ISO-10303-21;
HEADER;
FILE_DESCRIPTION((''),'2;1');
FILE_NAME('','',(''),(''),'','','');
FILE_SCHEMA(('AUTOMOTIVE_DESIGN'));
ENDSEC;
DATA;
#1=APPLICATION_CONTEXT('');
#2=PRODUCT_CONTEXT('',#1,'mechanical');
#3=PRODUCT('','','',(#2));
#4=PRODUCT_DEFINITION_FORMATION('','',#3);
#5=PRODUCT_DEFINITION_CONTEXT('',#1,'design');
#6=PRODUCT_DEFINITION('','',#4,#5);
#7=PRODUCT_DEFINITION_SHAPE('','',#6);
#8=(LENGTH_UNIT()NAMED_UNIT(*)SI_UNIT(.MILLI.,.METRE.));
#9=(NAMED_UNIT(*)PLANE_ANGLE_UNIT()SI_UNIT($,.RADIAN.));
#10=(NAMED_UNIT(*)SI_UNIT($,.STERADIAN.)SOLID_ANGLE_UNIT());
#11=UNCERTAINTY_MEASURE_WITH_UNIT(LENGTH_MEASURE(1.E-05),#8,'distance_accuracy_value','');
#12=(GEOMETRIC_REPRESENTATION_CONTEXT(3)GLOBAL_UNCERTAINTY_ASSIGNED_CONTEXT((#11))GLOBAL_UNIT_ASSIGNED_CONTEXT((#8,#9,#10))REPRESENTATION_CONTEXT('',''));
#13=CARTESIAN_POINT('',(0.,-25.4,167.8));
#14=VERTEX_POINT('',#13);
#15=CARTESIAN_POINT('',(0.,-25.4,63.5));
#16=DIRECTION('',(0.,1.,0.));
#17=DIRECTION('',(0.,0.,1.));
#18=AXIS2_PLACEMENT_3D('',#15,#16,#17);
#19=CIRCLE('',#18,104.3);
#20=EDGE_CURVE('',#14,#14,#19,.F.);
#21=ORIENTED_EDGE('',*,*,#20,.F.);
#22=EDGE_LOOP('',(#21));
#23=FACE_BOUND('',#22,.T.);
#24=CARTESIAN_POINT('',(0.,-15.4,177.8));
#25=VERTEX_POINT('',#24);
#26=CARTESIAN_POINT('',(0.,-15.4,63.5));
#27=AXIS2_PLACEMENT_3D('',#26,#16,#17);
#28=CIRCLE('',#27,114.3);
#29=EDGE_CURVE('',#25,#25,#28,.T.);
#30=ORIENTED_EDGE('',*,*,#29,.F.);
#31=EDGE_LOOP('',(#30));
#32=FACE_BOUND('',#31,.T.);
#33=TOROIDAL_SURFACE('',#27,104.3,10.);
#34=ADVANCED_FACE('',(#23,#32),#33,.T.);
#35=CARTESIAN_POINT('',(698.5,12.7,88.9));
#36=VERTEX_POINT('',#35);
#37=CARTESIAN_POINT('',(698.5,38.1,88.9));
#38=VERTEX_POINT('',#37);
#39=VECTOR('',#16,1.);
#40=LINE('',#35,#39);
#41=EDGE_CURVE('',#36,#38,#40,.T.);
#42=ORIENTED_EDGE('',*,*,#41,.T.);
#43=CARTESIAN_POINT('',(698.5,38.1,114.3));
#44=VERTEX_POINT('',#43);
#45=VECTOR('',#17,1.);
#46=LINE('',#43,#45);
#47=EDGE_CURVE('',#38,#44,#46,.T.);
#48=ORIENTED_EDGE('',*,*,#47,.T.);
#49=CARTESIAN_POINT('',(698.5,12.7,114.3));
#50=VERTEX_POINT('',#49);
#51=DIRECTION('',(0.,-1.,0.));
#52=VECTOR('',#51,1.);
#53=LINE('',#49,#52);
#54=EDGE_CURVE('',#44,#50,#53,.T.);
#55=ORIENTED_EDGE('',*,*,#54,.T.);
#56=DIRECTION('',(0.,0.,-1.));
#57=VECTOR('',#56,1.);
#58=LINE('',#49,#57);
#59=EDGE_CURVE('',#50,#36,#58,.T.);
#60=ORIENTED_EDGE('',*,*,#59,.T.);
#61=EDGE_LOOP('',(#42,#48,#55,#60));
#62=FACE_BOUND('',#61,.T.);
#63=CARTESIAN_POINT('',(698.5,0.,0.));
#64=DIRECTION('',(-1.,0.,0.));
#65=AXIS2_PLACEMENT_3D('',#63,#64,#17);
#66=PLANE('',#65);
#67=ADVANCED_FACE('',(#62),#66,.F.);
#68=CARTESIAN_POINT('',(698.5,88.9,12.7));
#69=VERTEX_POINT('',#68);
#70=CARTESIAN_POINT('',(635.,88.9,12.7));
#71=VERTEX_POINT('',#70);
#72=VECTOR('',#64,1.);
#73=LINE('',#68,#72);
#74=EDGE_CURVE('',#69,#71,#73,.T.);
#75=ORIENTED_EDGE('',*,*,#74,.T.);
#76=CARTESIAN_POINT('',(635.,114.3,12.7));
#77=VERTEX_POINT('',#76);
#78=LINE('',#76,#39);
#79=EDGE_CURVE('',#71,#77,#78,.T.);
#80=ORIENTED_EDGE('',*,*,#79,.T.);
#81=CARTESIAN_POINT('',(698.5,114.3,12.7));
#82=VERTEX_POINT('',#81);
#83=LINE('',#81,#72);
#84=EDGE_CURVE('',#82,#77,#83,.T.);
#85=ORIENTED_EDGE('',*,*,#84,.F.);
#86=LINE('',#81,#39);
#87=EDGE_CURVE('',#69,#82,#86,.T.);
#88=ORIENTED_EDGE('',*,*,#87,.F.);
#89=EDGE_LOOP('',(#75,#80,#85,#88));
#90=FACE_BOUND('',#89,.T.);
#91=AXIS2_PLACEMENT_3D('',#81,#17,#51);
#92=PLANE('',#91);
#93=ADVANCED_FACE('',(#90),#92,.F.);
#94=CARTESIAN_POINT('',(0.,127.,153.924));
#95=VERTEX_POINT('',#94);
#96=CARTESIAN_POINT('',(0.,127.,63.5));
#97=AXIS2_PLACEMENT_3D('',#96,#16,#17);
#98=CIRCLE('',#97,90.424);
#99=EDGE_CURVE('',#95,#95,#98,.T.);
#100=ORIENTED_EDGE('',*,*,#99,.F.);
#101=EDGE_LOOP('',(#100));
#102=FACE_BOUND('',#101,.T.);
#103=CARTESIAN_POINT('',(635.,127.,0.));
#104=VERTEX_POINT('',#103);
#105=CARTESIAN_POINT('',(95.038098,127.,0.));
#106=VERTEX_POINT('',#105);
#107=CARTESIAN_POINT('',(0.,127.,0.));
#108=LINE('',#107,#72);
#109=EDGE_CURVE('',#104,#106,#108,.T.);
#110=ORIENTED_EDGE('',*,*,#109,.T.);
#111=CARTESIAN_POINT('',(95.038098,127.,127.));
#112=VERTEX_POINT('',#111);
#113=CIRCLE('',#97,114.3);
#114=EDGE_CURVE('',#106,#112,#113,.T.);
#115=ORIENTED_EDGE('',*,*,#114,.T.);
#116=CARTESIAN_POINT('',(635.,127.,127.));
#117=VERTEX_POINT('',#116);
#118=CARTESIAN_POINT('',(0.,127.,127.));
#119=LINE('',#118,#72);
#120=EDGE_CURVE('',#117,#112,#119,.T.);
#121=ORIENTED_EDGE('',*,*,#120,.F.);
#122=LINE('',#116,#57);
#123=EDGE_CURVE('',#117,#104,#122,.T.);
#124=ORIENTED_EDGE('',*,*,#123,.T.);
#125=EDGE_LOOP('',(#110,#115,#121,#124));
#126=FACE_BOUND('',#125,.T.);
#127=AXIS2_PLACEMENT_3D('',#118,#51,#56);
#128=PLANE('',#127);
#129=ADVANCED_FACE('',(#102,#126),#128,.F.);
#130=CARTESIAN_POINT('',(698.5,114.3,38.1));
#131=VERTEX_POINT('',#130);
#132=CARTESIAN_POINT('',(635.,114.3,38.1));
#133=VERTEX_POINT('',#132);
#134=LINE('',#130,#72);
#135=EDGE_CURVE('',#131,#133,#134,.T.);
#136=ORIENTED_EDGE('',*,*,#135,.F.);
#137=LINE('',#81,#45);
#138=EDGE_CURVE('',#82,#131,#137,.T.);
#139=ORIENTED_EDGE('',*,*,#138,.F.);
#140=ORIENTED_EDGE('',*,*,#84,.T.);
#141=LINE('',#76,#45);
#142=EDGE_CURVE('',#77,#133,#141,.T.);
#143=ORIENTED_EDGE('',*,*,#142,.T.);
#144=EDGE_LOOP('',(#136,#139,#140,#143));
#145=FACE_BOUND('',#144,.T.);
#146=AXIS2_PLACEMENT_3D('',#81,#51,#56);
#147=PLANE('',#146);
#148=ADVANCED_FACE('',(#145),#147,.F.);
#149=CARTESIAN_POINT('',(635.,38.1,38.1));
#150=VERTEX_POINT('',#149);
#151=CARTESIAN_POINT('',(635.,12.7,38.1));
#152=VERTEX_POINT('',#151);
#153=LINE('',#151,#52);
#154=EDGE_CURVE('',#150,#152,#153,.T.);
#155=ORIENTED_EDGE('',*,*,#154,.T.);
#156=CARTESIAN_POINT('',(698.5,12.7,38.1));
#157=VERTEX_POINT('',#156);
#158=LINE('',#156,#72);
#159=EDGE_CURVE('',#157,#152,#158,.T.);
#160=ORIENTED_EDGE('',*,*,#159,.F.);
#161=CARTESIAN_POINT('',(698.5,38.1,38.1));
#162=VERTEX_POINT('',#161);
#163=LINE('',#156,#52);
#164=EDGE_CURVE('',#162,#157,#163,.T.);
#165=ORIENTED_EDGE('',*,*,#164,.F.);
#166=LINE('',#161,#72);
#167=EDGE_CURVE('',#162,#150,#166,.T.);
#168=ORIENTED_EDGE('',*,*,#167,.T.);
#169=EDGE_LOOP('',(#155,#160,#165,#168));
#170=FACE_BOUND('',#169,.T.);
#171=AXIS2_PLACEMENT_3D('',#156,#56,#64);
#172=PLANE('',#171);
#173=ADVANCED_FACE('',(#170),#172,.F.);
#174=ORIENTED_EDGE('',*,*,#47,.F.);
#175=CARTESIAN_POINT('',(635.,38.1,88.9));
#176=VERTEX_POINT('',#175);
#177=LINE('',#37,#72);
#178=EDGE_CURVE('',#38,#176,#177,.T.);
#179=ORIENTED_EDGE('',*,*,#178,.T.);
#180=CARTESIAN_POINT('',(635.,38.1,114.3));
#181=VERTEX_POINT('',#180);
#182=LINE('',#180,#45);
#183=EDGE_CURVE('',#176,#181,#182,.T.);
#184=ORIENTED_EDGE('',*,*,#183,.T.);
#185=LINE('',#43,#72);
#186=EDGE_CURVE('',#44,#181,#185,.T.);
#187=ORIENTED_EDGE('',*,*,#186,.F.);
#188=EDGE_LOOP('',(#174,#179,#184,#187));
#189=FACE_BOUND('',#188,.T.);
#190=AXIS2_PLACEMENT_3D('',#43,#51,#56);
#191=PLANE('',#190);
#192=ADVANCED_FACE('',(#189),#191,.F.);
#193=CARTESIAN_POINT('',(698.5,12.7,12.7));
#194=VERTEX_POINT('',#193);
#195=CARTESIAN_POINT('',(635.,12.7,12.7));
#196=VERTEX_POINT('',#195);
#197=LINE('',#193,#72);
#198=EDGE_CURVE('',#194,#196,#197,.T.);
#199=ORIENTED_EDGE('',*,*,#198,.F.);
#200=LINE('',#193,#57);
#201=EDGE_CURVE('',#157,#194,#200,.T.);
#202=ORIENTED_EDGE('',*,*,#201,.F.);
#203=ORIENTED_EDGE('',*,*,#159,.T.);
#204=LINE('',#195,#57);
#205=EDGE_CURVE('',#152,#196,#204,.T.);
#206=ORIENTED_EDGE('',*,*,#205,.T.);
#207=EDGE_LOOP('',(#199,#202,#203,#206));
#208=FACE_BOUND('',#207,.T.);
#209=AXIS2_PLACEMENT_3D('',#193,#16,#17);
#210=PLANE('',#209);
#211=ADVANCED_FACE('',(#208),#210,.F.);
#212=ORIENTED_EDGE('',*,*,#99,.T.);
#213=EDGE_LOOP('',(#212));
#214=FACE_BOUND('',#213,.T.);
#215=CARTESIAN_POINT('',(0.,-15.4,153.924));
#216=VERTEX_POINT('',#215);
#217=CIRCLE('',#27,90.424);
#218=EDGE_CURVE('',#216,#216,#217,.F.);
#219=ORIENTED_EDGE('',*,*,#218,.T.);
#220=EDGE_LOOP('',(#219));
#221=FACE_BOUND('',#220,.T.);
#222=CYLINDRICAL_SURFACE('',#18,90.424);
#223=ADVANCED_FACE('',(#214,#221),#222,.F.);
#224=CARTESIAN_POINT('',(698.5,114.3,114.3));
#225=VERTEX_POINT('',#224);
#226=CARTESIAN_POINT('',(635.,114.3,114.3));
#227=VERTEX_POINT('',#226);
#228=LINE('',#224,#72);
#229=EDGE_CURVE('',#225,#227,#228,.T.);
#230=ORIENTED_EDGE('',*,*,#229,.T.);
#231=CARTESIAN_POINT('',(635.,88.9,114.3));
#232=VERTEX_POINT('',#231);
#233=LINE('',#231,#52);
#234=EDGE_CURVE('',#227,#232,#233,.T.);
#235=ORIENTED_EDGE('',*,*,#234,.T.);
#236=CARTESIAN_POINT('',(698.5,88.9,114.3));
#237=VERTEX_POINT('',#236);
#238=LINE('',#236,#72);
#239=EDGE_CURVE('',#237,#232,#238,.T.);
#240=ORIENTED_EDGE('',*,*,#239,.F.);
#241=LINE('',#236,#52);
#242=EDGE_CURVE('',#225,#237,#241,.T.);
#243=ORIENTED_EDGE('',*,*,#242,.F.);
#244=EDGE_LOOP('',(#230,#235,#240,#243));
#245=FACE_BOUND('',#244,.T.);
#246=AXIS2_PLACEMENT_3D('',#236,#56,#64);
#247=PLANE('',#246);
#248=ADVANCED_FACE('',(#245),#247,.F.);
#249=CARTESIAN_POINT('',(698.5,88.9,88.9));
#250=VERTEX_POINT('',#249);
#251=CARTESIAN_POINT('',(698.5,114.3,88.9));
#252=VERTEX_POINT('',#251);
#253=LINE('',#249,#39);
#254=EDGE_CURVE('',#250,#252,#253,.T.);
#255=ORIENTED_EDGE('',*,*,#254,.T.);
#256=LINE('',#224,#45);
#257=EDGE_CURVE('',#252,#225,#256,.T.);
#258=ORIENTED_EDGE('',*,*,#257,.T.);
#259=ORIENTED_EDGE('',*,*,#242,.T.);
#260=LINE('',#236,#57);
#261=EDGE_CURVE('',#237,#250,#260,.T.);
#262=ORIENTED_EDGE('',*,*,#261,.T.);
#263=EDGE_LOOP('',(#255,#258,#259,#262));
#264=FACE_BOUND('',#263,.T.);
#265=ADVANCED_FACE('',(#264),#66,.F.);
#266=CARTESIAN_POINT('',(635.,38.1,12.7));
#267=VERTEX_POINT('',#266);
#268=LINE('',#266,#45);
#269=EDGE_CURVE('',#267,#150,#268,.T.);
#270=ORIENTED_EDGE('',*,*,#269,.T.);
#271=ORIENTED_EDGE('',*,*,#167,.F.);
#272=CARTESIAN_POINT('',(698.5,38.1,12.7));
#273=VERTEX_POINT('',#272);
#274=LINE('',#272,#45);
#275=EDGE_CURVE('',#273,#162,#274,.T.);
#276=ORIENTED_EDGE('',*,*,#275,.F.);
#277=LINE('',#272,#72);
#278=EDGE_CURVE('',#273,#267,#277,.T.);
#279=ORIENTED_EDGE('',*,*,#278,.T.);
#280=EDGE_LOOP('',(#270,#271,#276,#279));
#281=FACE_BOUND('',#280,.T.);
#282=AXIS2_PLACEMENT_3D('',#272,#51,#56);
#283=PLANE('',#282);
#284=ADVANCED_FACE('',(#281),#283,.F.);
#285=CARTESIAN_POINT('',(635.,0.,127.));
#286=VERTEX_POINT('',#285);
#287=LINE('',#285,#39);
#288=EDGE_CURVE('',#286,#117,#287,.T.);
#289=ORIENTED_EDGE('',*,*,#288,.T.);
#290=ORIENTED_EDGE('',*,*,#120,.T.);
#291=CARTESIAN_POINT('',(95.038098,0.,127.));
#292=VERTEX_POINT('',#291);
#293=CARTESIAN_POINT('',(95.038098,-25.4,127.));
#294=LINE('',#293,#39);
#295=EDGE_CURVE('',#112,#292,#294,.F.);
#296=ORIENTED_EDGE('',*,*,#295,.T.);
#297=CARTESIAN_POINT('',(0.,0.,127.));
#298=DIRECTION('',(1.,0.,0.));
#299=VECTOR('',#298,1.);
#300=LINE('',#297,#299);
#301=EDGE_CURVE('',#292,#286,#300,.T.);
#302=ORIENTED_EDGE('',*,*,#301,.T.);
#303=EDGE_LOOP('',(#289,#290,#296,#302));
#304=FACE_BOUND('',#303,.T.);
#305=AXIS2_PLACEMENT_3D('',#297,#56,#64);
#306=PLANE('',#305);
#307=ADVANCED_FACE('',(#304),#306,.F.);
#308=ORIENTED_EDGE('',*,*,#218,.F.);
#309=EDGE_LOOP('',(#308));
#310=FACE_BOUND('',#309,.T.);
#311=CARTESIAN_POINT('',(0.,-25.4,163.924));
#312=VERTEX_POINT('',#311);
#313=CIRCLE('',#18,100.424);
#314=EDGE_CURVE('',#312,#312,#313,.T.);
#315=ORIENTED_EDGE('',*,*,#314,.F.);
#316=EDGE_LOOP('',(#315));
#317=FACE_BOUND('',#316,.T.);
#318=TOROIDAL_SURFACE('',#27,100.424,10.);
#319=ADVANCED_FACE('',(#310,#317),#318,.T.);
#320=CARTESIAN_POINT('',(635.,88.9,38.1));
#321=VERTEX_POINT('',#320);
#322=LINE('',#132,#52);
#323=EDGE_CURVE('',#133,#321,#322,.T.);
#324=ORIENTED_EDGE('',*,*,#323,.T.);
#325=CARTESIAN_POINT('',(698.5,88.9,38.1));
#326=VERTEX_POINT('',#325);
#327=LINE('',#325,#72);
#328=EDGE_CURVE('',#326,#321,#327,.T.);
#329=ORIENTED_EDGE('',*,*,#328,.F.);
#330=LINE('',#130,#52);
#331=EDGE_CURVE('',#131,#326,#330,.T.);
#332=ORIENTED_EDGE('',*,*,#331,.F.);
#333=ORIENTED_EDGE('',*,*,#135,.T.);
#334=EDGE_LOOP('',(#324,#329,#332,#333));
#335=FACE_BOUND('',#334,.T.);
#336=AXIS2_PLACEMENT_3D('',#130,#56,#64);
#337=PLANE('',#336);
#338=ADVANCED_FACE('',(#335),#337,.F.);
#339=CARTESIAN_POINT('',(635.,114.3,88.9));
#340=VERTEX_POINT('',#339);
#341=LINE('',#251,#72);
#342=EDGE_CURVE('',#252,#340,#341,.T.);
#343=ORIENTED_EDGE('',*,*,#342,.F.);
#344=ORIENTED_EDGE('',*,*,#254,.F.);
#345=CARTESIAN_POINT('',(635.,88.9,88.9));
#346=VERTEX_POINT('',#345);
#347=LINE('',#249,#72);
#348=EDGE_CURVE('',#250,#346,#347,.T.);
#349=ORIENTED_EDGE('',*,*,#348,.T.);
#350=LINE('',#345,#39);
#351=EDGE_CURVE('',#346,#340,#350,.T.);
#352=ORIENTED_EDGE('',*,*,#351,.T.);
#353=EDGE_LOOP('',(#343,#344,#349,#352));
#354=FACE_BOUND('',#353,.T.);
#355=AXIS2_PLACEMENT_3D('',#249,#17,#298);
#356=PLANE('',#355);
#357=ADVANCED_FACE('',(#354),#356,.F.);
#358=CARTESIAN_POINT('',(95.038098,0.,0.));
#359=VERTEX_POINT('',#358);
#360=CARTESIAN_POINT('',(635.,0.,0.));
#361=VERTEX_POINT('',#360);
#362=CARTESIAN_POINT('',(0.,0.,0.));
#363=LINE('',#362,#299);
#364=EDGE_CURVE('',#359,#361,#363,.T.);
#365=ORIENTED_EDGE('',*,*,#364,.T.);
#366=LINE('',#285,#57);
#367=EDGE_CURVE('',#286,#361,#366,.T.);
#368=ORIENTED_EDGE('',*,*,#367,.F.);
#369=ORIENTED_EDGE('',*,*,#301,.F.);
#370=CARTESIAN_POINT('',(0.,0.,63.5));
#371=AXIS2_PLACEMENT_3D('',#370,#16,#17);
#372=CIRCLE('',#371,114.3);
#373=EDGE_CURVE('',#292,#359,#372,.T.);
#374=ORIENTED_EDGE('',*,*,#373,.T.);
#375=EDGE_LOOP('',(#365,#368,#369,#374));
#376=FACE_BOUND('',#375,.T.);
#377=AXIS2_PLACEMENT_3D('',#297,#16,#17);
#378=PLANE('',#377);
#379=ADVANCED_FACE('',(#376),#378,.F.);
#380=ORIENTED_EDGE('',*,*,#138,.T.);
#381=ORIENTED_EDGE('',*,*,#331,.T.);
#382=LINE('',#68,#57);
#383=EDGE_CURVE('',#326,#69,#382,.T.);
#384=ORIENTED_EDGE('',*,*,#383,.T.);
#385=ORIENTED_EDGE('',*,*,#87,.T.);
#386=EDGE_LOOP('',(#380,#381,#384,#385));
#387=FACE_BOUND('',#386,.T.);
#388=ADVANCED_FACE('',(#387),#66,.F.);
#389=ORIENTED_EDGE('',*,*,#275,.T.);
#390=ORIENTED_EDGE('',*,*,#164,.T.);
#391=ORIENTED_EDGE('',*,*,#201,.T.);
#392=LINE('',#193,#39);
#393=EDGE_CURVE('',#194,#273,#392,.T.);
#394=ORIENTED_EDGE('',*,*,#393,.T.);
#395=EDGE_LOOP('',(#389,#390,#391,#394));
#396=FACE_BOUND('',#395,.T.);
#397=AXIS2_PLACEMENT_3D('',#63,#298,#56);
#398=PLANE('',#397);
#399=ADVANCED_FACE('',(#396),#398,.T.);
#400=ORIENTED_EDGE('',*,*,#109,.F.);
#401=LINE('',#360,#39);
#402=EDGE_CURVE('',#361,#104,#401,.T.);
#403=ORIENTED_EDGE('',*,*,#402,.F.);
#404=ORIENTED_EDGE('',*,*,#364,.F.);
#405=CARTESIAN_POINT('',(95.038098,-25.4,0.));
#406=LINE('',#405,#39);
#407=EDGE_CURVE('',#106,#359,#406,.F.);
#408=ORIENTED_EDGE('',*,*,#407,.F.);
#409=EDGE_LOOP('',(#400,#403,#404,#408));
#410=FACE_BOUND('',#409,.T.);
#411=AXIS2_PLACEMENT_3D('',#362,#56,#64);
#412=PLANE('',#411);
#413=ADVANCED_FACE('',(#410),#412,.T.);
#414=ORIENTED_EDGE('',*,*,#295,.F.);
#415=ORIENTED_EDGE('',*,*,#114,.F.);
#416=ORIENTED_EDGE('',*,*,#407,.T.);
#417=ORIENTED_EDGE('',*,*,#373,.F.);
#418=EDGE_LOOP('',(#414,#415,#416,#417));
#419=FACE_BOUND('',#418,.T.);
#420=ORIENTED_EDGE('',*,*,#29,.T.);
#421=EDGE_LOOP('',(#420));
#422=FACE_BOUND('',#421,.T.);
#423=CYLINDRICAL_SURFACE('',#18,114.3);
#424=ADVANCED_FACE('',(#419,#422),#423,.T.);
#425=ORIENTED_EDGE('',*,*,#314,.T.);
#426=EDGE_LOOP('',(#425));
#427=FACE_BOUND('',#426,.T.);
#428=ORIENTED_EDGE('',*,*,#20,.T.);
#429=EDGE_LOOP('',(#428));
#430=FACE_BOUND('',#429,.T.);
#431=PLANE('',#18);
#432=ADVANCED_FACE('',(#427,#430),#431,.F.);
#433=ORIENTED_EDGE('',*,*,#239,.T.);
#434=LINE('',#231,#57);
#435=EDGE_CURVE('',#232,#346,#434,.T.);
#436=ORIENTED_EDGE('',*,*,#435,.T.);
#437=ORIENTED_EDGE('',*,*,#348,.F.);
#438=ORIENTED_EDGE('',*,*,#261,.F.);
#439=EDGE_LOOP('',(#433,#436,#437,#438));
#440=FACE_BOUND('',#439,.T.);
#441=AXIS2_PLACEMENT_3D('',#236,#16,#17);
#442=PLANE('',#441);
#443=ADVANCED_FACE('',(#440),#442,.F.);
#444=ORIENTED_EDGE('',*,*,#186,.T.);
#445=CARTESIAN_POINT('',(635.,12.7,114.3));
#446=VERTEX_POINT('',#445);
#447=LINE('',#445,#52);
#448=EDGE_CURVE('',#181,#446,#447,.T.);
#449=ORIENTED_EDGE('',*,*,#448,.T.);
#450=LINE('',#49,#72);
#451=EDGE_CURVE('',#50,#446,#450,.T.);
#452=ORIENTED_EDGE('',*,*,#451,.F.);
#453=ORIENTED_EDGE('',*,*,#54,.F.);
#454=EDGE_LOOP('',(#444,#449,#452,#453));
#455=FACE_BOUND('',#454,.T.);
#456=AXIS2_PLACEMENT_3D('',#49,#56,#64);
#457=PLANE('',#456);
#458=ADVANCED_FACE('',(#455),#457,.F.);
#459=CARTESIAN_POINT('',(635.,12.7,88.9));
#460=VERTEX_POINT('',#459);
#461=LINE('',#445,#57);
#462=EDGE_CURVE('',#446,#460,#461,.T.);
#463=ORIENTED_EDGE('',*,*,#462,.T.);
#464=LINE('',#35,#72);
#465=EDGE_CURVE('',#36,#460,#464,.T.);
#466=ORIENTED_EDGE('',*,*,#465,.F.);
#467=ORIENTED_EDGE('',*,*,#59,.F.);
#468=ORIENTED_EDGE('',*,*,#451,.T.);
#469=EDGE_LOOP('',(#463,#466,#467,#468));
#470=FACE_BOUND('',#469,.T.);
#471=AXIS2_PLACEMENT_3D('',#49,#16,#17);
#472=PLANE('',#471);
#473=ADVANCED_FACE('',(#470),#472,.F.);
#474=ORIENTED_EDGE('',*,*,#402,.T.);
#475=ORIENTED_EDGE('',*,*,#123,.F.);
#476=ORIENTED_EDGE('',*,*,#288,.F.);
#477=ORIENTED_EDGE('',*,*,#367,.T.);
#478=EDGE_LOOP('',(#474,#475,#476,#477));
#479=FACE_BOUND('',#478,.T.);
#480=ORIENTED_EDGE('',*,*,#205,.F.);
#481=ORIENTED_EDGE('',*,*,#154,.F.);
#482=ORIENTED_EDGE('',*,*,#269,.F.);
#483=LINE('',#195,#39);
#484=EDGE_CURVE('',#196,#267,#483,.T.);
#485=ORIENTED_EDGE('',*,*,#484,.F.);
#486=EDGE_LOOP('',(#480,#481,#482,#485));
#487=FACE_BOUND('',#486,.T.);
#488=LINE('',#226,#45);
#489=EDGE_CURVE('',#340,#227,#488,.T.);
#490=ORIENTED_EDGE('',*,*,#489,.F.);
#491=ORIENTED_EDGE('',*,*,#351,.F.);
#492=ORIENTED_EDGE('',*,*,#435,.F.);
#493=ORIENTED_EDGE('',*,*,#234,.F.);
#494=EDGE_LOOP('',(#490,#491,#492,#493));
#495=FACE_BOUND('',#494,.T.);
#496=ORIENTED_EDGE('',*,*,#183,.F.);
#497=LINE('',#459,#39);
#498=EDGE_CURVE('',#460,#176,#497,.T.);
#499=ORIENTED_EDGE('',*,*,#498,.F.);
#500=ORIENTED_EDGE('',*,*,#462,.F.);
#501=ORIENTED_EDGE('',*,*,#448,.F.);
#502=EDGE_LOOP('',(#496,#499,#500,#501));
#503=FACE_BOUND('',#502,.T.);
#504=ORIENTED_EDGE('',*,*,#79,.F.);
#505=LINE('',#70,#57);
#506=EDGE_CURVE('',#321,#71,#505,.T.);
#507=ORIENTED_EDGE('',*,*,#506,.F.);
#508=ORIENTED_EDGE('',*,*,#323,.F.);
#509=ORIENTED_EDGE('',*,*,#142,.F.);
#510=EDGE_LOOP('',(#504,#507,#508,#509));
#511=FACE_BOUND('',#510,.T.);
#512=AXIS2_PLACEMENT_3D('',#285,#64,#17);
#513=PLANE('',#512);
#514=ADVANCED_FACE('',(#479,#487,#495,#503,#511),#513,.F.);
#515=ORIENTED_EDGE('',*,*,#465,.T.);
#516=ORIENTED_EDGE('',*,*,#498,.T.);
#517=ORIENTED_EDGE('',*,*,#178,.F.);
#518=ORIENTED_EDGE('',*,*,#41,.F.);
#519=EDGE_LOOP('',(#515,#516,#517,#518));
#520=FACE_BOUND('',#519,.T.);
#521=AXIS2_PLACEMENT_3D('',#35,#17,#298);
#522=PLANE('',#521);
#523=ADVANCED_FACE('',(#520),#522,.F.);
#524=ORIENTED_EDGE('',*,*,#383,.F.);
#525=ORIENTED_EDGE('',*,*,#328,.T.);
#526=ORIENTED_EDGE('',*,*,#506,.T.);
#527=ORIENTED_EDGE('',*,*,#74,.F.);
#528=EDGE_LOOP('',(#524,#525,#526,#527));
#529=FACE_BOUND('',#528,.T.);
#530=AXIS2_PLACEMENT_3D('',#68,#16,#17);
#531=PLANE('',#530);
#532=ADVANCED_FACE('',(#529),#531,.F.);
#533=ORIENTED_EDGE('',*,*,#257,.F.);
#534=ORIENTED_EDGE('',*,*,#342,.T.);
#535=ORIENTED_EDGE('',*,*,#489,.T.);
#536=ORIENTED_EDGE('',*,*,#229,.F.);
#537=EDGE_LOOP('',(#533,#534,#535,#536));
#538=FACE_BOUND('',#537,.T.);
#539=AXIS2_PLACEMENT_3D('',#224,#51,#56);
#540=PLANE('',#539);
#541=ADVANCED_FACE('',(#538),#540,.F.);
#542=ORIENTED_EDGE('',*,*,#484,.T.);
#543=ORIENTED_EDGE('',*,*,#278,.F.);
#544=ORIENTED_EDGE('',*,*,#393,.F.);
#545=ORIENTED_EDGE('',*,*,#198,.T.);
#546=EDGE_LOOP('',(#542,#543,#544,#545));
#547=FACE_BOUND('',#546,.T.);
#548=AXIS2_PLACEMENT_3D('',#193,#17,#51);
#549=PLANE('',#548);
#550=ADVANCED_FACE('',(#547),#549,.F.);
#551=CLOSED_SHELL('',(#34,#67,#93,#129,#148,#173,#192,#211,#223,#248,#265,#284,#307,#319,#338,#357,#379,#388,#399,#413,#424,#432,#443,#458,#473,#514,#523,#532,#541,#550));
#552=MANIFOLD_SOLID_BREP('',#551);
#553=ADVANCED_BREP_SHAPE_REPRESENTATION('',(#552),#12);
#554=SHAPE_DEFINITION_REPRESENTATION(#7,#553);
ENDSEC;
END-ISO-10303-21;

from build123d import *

# Parameters (mm, degrees)
SKETCH2_W               = 635
SKETCH2_H               = 127
BOSS_EXTRUDE1_DEPTH     = 127
SKETCH3_R               = 114.3
SKETCH3_R_2             = 90.424
BOSS_EXTRUDE2_DEPTH     = 152.4
SKETCH4_R               = 90.424
CUT_EXTRUDE2_DEPTH      = 1
CUT_EXTRUDE2_DEPTH_BACK = 153.4
SKETCH5_W               = 25.4
SKETCH5_H               = 25.4
BOSS_EXTRUDE3_DEPTH     = 63.5
FILLET1_R               = 10


with BuildPart() as part:
    # Sketch2 → Boss-Extrude1 (new body)
    with BuildSketch(Plane.XY):
        with Locations((317.5, 63.5)):
            Rectangle(SKETCH2_W, SKETCH2_H)
    extrude(amount=BOSS_EXTRUDE1_DEPTH)

    # Sketch3 → Boss-Extrude2 (add)
    with BuildSketch(Plane(origin=(0, 127, 0), x_dir=(1, 0, 0), z_dir=(0, 1, 0))):
        with Locations((0, -63.5)):
            Circle(SKETCH3_R)
        with Locations((0, -63.5)):
            Circle(SKETCH3_R_2, mode=Mode.SUBTRACT)
    extrude(amount=-BOSS_EXTRUDE2_DEPTH)

    # Sketch4 → Cut-Extrude2 (cut, two sides)
    with BuildSketch(Plane(origin=(0, 127, 0), x_dir=(1, 0, 0), z_dir=(0, 1, 0))) as cut_extrude2_sk:
        with Locations((0, -63.5)):
            Circle(SKETCH4_R)
    extrude(amount=CUT_EXTRUDE2_DEPTH, mode=Mode.SUBTRACT)
    extrude(cut_extrude2_sk.sketch, amount=-CUT_EXTRUDE2_DEPTH_BACK, mode=Mode.SUBTRACT)

    # Sketch5 → Boss-Extrude3 (add)
    with BuildSketch(Plane(origin=(635, 0, 0), x_dir=(0, 0, -1), z_dir=(1, 0, 0))):
        with Locations((-101.6, 101.6)):
            Rectangle(SKETCH5_W, SKETCH5_H)
        with Locations((-25.4, 25.4)):
            Rectangle(SKETCH5_W, SKETCH5_H)
        with Locations((-101.6, 25.4)):
            Rectangle(SKETCH5_W, SKETCH5_H)
        with Locations((-25.4, 101.6)):
            Rectangle(SKETCH5_W, SKETCH5_H)
    extrude(amount=BOSS_EXTRUDE3_DEPTH)

    # Fillet1
    fillet1_edges = [part.edges().sort_by_distance(p)[0] for p in [
        (-114.3, -25.4, 63.5),
        (-90.424, -25.4, 63.5),
    ]]
    fillet(fillet1_edges, radius=FILLET1_R)


solid = part.part
